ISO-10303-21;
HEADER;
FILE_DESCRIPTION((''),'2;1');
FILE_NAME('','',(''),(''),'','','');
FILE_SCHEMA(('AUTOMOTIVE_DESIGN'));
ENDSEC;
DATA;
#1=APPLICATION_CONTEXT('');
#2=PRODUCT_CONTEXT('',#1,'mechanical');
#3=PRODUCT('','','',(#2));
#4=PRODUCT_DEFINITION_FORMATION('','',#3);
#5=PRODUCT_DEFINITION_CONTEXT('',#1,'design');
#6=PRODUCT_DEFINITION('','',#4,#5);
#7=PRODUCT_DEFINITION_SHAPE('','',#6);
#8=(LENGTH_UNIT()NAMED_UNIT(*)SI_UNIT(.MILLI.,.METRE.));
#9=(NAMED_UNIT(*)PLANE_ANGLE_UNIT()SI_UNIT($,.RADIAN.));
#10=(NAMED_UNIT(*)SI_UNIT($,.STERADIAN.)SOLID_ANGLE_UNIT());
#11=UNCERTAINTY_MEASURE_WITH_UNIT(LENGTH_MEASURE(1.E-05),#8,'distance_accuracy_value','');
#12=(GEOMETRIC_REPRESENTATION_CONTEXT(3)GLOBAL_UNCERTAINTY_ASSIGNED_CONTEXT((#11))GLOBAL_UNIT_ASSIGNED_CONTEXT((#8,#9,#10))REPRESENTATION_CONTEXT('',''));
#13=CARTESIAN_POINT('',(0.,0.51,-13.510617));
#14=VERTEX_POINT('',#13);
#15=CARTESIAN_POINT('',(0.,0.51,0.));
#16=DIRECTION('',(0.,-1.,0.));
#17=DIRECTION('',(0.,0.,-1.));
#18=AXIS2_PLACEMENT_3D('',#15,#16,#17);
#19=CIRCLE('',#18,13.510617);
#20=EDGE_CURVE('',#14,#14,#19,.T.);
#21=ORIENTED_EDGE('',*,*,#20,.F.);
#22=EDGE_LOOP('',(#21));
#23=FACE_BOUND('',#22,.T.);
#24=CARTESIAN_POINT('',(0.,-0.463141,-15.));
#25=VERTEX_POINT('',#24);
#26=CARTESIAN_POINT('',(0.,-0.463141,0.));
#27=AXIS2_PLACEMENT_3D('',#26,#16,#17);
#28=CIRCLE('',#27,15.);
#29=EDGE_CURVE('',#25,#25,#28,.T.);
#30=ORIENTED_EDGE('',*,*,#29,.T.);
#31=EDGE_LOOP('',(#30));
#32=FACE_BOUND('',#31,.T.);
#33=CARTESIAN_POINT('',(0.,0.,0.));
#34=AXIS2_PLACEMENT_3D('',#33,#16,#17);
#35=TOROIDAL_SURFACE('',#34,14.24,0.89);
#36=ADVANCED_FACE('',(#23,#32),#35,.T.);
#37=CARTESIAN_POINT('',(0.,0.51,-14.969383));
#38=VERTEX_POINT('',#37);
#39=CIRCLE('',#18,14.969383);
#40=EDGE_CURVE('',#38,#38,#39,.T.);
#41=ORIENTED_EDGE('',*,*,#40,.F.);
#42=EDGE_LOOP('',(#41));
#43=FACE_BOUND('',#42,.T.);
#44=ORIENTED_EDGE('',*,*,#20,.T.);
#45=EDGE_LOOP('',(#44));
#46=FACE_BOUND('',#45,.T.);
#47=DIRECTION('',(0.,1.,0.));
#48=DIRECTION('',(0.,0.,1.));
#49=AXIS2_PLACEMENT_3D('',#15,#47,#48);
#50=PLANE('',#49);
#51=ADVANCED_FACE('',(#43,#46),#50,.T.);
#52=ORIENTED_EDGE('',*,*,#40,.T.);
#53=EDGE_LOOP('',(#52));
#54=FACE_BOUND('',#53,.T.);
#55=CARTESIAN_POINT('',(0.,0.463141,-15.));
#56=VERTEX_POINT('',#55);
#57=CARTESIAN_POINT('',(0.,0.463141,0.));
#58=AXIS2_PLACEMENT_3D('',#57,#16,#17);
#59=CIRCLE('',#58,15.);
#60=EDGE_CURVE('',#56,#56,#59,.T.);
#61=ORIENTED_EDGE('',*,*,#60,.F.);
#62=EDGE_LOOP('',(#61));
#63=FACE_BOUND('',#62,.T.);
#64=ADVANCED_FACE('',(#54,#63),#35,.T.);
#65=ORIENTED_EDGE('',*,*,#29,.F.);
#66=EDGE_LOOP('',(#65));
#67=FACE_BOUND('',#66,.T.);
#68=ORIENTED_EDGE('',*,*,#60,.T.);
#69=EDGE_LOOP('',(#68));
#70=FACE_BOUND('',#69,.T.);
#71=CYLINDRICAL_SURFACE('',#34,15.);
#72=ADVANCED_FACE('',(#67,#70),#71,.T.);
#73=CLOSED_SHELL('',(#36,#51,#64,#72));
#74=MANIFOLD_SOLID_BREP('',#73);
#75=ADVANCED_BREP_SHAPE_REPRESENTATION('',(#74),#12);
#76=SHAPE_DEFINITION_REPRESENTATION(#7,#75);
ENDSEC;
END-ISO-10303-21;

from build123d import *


with BuildPart() as part:
    # Schizzo1 → Rivoluzione1 (revolve)
    with BuildSketch(Plane.XY, mode=Mode.PRIVATE) as rivoluzione1_sk:
        with BuildLine():
            Line((-13.510616699, 0.51), (-14.969383301, 0.51))
            ThreePointArc((-14.969383301, 0.51), (-14.985060122, 0.486811477), (-15, 0.463141447))
            Line((-15, 0.463141447), (-15, -0.463141447))
            ThreePointArc((-15, -0.463141447), (-13.999479731, -0.856883889), (-13.35, 0))
            ThreePointArc((-13.35, 0), (-13.391103323, 0.267347024), (-13.510616699, 0.51))
        make_face()
    revolve(rivoluzione1_sk.sketch.rotate(Axis((0, 0, 0), (0, 1, 0)), 270), axis=Axis((0, 0, 0), (0, 1, 0)))


solid = part.part
